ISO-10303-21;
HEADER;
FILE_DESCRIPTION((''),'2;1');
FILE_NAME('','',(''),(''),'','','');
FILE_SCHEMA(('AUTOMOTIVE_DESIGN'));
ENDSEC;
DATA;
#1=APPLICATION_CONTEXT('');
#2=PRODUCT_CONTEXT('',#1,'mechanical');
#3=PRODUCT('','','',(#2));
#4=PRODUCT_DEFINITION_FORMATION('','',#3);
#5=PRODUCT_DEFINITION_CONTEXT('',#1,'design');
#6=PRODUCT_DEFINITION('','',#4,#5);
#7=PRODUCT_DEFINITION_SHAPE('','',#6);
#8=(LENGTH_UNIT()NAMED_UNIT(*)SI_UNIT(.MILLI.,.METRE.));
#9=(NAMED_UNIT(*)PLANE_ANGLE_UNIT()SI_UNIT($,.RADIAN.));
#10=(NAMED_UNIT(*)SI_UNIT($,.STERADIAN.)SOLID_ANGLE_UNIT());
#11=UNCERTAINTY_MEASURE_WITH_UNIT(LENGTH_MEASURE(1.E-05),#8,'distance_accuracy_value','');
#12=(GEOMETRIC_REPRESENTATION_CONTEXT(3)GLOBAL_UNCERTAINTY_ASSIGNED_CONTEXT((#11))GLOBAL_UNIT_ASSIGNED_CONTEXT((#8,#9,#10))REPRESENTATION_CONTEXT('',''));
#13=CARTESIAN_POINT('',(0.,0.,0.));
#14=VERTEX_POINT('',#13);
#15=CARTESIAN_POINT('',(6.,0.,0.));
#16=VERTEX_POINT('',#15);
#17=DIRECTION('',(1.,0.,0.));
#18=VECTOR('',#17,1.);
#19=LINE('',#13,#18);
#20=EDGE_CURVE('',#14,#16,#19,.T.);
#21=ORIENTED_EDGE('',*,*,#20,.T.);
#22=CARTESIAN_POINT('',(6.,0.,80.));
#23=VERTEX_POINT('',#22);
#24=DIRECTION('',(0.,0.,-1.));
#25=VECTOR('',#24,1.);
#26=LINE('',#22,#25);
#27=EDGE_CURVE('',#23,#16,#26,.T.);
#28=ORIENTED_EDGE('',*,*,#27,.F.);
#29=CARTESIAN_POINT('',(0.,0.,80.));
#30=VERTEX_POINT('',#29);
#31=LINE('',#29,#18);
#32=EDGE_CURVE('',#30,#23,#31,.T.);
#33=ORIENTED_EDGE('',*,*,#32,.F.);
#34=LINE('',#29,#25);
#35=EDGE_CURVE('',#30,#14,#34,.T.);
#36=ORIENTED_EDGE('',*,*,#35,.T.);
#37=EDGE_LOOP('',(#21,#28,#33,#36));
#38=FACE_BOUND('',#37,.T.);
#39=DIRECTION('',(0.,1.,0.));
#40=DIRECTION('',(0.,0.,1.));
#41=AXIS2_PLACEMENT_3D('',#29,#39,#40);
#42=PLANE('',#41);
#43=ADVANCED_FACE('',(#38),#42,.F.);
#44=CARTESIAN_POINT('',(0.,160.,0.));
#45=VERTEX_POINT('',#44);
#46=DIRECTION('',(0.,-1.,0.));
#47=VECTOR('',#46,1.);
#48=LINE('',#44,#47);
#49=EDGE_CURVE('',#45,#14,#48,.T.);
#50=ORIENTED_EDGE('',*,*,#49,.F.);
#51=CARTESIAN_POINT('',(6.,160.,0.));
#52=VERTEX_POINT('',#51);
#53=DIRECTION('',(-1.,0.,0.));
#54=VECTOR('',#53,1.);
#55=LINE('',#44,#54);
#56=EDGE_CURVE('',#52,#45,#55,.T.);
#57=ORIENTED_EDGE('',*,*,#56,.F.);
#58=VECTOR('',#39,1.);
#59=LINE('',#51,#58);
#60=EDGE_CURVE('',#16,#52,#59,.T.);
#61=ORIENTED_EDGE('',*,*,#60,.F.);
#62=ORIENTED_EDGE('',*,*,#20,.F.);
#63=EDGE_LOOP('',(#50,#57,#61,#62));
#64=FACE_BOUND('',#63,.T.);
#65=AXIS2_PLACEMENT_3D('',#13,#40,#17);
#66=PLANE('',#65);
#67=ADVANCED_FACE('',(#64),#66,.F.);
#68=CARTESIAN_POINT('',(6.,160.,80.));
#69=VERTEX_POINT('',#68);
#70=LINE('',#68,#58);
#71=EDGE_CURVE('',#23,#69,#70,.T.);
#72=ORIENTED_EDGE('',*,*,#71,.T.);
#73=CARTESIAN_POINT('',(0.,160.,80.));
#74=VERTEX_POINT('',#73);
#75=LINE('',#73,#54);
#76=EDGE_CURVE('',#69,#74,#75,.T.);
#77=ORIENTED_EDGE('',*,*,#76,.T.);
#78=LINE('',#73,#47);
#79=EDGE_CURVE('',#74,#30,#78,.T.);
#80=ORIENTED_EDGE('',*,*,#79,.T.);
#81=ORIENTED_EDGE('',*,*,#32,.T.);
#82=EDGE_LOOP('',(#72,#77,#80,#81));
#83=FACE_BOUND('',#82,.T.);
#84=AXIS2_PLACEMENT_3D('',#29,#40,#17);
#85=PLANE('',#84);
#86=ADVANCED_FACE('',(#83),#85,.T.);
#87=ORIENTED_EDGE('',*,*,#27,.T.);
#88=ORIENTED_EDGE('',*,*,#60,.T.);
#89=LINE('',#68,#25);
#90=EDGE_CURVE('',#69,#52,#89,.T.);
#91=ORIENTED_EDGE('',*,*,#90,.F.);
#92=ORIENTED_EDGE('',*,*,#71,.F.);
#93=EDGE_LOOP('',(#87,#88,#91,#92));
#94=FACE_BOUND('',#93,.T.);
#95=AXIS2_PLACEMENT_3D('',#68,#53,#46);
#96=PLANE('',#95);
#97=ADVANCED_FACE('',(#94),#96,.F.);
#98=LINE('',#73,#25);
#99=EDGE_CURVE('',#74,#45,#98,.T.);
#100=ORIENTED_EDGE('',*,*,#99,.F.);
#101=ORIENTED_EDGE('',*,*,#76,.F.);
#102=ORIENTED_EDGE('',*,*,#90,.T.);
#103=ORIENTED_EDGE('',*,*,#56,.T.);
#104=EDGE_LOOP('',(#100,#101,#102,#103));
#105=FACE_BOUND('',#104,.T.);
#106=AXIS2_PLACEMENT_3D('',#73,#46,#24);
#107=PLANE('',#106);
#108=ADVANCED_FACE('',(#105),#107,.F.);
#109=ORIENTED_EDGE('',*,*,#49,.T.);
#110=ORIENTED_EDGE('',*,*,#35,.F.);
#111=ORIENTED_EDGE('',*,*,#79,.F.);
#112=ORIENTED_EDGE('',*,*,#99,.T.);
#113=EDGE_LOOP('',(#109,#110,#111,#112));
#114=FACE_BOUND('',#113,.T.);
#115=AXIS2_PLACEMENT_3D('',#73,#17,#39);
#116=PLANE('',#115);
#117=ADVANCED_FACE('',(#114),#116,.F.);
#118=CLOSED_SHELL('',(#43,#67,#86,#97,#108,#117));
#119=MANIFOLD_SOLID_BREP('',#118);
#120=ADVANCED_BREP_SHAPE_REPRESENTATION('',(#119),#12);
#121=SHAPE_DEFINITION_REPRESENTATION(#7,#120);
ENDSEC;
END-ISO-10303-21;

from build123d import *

# Parameters (mm, degrees)
ESQUISSE2_W        = 6
ESQUISSE2_H        = 160
BOSS_EXTRU_1_DEPTH = 80


with BuildPart() as part:
    # Esquisse2 → Boss.-Extru.1 (new body)
    with BuildSketch(Plane.XY):
        with Locations((3, 80)):
            Rectangle(ESQUISSE2_W, ESQUISSE2_H)
    extrude(amount=BOSS_EXTRU_1_DEPTH)


solid = part.part
